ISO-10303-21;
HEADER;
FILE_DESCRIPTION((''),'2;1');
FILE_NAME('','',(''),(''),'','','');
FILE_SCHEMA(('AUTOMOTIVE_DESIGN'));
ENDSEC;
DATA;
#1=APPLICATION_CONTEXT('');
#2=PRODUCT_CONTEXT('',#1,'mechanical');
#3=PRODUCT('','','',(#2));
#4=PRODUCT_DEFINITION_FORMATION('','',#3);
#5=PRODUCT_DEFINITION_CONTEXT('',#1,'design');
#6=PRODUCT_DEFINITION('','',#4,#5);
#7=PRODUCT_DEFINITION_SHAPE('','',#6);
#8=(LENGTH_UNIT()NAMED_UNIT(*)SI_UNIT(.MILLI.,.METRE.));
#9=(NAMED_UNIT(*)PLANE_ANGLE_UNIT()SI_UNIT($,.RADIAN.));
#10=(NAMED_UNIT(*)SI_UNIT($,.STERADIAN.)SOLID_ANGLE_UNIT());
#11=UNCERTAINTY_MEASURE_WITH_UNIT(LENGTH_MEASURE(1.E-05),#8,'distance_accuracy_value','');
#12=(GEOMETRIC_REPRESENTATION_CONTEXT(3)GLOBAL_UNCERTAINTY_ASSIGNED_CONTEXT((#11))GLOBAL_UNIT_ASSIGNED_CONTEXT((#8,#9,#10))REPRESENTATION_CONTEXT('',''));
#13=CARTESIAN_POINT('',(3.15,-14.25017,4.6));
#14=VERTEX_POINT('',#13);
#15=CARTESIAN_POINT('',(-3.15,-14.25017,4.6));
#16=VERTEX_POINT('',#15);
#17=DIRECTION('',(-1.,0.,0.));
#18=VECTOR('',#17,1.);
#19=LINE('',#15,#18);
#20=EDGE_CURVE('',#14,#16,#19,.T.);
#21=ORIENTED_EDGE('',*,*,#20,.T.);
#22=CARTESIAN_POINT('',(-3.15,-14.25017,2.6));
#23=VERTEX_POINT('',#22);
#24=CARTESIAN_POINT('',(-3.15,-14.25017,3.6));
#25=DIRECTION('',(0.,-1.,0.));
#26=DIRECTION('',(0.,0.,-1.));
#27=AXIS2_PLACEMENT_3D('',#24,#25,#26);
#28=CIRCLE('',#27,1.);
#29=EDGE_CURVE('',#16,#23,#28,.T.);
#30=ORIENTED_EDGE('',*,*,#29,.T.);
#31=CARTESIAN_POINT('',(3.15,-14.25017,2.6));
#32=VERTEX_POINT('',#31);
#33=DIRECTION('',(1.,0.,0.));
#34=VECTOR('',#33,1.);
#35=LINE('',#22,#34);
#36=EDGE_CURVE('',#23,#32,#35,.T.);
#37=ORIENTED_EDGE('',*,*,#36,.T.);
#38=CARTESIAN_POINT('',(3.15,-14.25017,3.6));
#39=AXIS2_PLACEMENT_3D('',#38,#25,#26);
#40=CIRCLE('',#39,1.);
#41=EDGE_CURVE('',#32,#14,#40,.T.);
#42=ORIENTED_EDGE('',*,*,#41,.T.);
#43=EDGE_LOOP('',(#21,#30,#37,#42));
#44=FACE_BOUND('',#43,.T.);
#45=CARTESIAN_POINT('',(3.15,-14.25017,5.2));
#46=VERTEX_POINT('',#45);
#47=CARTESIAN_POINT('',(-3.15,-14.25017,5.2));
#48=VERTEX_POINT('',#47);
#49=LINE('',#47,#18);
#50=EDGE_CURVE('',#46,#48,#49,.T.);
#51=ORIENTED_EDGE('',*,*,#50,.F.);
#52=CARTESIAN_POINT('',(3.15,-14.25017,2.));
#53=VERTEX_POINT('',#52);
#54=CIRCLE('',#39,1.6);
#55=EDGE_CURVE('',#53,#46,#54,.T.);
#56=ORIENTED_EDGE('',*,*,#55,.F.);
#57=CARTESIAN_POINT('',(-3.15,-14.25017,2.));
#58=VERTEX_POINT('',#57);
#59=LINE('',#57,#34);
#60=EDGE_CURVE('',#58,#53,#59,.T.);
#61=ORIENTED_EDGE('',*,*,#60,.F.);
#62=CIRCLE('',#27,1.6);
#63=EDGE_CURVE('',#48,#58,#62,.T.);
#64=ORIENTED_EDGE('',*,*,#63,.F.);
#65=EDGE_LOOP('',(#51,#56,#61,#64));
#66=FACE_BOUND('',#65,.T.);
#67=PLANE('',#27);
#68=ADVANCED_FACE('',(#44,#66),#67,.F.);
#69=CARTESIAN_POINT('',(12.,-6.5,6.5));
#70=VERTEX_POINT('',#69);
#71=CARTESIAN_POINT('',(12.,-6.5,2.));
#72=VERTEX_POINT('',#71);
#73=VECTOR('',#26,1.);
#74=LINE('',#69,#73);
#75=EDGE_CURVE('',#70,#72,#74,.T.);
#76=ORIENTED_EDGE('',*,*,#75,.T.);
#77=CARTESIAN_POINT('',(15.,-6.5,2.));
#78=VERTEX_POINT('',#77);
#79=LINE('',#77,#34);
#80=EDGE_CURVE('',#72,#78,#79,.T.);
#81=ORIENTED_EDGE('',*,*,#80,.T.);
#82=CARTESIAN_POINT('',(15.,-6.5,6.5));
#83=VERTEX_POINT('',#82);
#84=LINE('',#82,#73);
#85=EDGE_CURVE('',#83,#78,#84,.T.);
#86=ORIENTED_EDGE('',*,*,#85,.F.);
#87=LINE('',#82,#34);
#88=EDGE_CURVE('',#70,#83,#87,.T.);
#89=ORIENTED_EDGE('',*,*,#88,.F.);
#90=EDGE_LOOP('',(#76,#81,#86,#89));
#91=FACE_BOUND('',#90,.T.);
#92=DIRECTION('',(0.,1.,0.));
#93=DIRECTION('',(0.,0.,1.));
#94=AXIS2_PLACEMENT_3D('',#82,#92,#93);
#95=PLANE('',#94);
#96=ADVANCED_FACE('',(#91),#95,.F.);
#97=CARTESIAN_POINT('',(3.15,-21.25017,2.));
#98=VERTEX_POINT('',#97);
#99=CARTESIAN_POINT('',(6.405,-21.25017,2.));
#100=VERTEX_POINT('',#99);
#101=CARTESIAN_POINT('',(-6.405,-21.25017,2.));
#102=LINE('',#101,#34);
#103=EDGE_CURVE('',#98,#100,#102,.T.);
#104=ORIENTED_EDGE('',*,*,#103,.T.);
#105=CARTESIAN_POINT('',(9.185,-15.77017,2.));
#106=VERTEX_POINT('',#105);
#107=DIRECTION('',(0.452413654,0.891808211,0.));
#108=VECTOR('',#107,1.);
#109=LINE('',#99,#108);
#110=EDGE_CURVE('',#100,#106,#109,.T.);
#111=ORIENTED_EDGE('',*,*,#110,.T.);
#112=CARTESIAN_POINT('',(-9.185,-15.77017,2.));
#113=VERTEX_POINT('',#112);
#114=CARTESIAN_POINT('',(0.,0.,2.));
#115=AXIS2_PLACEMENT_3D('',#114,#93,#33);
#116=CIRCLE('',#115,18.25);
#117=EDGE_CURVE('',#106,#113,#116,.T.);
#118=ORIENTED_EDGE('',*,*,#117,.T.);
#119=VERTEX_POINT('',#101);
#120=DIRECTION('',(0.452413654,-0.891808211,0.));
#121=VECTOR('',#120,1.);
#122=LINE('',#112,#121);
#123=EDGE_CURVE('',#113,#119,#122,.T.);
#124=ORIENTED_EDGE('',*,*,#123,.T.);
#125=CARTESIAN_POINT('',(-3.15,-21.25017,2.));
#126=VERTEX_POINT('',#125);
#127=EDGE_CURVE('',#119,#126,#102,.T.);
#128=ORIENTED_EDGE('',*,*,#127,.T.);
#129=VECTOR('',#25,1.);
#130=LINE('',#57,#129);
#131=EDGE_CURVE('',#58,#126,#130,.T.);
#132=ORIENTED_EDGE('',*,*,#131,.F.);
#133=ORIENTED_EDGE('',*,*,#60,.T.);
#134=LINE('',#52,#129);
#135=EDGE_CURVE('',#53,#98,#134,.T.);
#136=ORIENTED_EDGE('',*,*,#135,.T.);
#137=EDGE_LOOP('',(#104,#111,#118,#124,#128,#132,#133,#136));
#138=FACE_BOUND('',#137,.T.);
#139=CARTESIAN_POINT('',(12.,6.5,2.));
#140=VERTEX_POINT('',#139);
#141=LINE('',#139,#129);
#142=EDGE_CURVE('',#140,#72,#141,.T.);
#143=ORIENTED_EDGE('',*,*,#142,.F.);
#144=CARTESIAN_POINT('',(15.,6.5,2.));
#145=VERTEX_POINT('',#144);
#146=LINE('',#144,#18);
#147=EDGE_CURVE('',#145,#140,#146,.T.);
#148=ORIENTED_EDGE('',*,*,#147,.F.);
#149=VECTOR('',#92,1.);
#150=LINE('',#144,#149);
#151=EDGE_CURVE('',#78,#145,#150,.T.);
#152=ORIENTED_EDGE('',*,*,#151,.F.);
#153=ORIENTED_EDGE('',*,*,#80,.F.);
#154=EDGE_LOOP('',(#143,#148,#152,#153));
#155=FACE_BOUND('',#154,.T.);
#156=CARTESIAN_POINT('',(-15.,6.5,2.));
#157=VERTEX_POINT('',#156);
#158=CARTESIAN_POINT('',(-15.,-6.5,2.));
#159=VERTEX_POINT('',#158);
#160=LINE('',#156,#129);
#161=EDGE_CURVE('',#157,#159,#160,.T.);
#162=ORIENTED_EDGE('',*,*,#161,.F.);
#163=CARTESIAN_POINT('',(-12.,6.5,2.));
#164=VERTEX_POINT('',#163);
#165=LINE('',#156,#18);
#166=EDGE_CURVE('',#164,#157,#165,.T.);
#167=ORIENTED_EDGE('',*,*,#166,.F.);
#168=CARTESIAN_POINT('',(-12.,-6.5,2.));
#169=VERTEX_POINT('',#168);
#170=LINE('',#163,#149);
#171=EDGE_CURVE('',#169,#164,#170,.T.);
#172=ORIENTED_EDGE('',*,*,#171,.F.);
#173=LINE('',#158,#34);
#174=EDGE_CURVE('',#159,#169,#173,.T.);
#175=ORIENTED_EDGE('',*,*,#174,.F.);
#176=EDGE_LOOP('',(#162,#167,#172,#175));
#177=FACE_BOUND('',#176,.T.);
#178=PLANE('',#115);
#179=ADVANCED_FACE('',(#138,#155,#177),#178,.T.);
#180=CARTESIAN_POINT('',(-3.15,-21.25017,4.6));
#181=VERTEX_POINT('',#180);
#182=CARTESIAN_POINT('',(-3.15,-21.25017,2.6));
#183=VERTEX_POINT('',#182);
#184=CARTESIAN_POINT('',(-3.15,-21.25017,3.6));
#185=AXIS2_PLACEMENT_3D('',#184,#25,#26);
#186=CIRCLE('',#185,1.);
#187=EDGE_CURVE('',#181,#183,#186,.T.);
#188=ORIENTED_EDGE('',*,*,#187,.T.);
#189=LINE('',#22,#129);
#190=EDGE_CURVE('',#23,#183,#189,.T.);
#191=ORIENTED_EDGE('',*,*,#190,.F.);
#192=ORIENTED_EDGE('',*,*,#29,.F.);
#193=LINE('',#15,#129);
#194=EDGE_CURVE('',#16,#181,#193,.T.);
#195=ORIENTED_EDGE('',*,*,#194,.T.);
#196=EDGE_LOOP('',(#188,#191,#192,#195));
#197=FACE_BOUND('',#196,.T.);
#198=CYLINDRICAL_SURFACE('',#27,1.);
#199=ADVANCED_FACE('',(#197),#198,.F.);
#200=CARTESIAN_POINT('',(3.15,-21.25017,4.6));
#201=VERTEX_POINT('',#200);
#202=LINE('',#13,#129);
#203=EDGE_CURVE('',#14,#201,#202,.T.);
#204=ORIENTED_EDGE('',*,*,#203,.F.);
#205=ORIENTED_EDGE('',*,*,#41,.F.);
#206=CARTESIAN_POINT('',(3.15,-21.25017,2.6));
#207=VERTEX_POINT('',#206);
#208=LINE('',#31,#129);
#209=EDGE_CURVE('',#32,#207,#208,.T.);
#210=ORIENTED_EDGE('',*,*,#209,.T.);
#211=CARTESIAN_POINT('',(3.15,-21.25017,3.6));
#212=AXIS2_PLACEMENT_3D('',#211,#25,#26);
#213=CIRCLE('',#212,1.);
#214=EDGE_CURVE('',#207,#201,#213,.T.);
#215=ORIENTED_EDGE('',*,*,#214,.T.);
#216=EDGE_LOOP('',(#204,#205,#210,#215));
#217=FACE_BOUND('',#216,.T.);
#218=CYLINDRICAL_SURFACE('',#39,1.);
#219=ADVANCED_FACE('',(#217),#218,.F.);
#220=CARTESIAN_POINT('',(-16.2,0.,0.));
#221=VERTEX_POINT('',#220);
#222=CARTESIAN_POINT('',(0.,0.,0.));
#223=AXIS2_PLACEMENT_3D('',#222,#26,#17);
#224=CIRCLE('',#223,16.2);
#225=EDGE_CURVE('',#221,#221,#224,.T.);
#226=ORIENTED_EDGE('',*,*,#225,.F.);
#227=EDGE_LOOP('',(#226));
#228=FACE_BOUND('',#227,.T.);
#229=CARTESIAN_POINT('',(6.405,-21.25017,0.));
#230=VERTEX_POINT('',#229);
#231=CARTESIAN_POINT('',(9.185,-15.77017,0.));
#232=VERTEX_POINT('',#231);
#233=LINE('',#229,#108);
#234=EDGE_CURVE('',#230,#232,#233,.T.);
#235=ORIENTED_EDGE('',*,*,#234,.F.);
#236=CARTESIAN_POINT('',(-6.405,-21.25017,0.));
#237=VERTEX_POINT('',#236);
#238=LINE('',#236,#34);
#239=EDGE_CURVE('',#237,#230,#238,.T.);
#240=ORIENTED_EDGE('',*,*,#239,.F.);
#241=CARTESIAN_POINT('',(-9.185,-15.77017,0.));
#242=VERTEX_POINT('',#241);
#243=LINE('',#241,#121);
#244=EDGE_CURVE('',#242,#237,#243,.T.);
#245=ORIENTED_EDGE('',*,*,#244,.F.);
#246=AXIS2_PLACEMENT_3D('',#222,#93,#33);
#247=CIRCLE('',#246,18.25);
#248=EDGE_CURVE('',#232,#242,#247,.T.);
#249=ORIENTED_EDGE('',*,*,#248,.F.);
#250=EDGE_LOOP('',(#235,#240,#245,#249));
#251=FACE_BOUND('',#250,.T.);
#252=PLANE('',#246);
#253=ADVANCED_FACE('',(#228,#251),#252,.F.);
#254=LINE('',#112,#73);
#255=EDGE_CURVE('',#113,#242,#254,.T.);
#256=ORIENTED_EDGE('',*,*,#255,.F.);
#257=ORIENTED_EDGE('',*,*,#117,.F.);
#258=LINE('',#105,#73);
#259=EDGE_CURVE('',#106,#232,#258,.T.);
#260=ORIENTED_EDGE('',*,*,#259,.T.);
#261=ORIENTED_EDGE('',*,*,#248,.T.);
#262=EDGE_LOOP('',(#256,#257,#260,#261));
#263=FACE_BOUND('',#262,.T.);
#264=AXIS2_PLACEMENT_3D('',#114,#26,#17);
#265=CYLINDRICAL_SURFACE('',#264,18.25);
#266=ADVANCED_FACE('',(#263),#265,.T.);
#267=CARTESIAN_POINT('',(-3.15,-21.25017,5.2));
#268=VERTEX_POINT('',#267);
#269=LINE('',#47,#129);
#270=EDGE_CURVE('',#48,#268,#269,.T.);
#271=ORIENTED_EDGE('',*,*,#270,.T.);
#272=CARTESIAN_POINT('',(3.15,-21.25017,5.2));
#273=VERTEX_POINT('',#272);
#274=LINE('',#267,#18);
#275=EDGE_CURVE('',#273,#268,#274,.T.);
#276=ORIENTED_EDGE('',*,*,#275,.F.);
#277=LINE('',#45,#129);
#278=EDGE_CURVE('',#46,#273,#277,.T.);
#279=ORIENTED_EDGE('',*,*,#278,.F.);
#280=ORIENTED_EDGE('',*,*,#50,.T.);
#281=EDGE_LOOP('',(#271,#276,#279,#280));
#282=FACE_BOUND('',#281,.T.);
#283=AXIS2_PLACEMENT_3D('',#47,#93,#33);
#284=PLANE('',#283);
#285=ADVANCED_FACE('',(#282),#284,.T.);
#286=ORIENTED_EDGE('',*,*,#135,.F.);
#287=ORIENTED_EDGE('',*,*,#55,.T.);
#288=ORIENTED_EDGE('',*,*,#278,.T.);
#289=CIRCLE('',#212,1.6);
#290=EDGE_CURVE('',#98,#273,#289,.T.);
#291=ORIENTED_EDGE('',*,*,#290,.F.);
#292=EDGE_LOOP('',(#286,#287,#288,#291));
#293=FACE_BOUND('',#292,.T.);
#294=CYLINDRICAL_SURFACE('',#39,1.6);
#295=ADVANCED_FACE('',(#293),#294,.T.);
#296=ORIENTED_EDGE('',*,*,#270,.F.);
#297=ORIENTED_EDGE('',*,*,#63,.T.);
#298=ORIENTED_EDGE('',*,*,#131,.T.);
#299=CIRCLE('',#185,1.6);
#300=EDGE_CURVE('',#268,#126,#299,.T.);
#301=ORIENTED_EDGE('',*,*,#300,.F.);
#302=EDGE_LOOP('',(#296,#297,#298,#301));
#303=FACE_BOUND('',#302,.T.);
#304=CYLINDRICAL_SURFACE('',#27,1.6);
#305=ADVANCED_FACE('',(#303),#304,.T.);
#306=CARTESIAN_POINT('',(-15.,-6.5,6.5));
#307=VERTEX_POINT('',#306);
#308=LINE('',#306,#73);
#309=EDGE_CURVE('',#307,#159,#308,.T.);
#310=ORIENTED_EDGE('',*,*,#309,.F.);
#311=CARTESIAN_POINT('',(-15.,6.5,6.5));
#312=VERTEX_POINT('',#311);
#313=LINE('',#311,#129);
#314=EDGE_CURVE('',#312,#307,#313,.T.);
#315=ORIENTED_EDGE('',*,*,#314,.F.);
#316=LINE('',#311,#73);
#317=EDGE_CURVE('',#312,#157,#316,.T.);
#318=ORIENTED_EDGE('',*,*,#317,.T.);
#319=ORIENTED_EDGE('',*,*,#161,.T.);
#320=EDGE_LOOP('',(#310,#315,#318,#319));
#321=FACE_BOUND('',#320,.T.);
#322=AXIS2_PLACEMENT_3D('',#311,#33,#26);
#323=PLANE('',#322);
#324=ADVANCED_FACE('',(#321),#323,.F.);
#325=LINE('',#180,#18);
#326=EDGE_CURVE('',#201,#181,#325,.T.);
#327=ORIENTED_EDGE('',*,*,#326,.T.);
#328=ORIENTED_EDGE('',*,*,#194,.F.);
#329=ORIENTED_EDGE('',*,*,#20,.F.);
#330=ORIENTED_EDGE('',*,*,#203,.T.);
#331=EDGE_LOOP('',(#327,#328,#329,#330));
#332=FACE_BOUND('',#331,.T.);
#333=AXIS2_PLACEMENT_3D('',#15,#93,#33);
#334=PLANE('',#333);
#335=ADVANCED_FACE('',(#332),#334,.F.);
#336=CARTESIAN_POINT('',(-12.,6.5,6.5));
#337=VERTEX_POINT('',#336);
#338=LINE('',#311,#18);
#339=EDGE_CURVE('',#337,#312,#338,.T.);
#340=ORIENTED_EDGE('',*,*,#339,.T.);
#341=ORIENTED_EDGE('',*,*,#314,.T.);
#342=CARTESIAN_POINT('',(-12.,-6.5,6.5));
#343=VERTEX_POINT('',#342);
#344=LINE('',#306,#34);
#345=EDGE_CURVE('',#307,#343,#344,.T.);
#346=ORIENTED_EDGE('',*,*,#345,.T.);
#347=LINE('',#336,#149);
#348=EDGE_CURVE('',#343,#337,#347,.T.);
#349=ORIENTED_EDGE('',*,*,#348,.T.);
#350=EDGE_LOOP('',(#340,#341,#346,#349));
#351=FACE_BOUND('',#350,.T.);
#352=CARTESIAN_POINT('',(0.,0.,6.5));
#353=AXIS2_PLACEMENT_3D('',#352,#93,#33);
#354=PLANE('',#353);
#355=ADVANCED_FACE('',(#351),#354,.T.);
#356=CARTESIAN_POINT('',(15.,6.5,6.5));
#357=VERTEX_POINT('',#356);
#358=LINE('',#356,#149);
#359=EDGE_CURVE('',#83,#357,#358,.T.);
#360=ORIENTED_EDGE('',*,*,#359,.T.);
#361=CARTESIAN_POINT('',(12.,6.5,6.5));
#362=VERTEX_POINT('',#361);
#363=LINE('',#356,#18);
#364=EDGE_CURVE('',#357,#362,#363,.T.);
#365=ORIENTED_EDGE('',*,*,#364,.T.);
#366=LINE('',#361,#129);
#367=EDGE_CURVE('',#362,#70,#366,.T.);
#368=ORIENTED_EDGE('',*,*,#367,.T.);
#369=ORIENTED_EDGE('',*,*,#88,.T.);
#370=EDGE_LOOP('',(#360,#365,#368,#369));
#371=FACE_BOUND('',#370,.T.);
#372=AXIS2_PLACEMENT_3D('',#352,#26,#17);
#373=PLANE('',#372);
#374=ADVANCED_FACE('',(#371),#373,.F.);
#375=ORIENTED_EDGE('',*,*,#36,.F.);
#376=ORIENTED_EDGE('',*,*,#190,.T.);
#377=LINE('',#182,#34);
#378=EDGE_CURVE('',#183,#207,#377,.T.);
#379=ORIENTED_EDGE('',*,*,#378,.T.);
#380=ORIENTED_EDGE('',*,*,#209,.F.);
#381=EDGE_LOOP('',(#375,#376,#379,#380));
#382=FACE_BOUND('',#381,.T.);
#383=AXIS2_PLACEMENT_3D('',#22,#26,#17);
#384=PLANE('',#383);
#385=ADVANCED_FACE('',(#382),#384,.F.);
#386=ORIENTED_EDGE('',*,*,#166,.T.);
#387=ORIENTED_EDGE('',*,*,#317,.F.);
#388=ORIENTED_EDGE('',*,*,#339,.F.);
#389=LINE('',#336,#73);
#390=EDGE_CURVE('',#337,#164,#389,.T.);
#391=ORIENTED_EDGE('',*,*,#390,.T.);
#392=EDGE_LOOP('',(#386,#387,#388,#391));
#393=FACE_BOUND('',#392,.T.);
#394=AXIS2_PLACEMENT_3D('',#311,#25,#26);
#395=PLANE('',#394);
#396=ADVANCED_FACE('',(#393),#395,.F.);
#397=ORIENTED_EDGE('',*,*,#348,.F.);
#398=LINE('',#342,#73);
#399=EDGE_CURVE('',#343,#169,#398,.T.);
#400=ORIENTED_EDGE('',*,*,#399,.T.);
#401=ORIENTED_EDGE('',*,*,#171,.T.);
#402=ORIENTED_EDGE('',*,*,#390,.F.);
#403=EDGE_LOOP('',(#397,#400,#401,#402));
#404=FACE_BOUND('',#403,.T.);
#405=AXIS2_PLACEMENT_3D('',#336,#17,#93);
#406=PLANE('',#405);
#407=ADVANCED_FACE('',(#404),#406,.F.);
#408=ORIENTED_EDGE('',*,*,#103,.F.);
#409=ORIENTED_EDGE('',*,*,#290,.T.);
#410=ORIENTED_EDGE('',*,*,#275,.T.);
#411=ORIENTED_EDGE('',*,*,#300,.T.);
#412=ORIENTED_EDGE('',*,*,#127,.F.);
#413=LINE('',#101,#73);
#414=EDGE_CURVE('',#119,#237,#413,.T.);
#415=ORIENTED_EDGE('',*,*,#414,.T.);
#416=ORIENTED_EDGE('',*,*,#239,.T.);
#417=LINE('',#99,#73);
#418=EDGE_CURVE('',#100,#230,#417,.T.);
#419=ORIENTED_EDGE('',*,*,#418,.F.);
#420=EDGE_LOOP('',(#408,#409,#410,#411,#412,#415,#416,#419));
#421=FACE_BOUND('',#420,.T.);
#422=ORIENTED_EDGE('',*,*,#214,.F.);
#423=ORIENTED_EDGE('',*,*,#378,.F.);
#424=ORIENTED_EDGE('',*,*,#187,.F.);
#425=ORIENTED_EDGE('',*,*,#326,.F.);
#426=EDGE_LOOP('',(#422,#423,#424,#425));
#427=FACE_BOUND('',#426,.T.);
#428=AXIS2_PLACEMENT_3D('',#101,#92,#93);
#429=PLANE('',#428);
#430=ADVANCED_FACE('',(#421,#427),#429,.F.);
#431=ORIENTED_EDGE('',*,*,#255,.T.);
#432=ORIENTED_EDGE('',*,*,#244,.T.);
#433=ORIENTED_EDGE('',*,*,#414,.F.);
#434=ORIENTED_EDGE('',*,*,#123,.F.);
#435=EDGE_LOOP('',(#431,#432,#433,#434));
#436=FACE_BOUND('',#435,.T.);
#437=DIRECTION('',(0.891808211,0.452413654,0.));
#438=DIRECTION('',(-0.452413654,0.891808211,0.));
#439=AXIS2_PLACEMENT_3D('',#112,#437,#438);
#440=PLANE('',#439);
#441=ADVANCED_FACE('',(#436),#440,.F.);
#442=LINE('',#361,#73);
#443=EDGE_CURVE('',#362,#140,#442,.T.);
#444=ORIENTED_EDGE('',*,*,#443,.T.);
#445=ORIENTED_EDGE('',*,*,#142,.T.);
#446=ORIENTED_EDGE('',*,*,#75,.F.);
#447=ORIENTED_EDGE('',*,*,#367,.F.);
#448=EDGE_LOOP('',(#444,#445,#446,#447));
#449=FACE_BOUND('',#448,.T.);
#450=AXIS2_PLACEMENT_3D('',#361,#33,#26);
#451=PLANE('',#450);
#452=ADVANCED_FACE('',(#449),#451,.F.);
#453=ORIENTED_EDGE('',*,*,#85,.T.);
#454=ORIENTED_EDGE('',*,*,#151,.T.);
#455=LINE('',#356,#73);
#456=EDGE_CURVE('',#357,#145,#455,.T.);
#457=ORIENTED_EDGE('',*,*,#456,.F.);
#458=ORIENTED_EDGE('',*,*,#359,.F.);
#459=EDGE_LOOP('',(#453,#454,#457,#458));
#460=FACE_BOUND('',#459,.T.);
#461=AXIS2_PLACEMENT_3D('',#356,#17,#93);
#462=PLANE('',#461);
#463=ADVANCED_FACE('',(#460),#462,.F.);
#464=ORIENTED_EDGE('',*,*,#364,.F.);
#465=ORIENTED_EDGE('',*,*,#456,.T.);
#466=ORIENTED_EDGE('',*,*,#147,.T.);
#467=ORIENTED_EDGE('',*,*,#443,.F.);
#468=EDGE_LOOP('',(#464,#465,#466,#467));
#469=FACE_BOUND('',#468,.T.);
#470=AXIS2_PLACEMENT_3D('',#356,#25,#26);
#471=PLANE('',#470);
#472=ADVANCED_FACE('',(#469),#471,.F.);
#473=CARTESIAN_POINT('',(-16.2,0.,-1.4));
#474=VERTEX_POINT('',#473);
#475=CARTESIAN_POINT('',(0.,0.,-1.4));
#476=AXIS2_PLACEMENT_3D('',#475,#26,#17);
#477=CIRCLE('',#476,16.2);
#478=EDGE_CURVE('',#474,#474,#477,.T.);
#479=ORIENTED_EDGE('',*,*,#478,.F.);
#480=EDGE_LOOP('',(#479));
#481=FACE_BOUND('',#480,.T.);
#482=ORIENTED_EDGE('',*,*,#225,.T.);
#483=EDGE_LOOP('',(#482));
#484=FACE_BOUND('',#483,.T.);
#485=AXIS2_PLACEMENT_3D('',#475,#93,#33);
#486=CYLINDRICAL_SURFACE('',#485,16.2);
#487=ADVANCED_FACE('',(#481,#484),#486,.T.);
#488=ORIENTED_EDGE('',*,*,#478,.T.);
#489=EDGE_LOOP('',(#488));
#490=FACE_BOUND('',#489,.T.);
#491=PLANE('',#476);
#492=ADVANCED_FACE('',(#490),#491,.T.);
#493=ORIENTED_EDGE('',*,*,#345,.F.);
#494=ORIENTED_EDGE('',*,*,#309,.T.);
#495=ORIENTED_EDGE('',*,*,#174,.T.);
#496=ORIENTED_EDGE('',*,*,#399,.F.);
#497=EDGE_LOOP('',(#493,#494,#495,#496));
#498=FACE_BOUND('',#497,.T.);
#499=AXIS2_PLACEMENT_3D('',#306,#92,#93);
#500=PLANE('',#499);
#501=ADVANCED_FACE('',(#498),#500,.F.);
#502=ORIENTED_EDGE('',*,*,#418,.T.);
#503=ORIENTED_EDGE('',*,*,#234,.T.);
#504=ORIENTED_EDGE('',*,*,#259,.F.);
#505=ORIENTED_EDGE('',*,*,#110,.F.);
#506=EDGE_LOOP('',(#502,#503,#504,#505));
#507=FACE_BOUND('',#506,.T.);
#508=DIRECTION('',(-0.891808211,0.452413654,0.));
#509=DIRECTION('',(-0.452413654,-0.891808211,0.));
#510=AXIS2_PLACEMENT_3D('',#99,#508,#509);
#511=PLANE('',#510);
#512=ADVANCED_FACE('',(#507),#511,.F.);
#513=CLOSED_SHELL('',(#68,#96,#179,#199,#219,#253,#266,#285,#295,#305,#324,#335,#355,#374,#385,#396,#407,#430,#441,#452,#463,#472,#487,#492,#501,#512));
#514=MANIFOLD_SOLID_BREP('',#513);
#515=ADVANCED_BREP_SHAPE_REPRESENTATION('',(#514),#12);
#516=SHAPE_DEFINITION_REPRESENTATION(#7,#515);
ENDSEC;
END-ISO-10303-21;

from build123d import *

# Parameters (mm, degrees)
EXTRUDE_1_DEPTH = 2
SKETCH_2_R      = 16.2
EXTRUDE_2_DEPTH = 1.4
SKETCH_3_W      = 3
SKETCH_3_H      = 13
EXTRUDE_3_DEPTH = 4.5
EXTRUDE_4_DEPTH = 7


with BuildPart() as part:
    # 草图1 → 凸台-拉伸1 (new body)
    with BuildSketch(Plane.XY):
        with BuildLine():
            Line((-6.405, -21.250170418), (6.405, -21.250170418))
            Line((6.405, -21.250170418), (9.185, -15.770170418))
            ThreePointArc((9.185, -15.770170418), (0, 18.25), (-9.185, -15.770170418))
            Line((-9.185, -15.770170418), (-6.405, -21.250170418))
        make_face()
    extrude(amount=EXTRUDE_1_DEPTH)

    # 草图2 → 凸台-拉伸2 (add)
    with BuildSketch(Plane(origin=(0, 0, 0), x_dir=(-1, 0, 0), z_dir=(0, 0, -1))):
        Circle(SKETCH_2_R)
    extrude(amount=EXTRUDE_2_DEPTH)

    # 草图3 → 凸台-拉伸3 (add)
    with BuildSketch(Plane.XY.offset(2)):
        with Locations((-13.5, 0)):
            Rectangle(SKETCH_3_W, SKETCH_3_H)
        with Locations((13.5, 0)):
            Rectangle(SKETCH_3_W, SKETCH_3_H)
    extrude(amount=EXTRUDE_3_DEPTH)

    # 草图4 → 凸台-拉伸4 (add)
    with BuildSketch(Plane.XZ.offset(21.250170418)):
        with BuildLine():
            Line((-3.15, 5.2), (3.15, 5.2))
            ThreePointArc((3.15, 5.2), (4.75, 3.6), (3.15, 2))
            Line((3.15, 2), (-3.15, 2))
            ThreePointArc((-3.15, 2), (-4.75, 3.6), (-3.15, 5.2))
        make_face()
        with BuildLine():
            Line((-3.15, 4.6), (3.15, 4.6))
            ThreePointArc((3.15, 4.6), (4.15, 3.6), (3.15, 2.6))
            Line((3.15, 2.6), (-3.15, 2.6))
            ThreePointArc((-3.15, 2.6), (-4.15, 3.6), (-3.15, 4.6))
        make_face(mode=Mode.SUBTRACT)
    extrude(amount=-EXTRUDE_4_DEPTH)


solid = part.part
